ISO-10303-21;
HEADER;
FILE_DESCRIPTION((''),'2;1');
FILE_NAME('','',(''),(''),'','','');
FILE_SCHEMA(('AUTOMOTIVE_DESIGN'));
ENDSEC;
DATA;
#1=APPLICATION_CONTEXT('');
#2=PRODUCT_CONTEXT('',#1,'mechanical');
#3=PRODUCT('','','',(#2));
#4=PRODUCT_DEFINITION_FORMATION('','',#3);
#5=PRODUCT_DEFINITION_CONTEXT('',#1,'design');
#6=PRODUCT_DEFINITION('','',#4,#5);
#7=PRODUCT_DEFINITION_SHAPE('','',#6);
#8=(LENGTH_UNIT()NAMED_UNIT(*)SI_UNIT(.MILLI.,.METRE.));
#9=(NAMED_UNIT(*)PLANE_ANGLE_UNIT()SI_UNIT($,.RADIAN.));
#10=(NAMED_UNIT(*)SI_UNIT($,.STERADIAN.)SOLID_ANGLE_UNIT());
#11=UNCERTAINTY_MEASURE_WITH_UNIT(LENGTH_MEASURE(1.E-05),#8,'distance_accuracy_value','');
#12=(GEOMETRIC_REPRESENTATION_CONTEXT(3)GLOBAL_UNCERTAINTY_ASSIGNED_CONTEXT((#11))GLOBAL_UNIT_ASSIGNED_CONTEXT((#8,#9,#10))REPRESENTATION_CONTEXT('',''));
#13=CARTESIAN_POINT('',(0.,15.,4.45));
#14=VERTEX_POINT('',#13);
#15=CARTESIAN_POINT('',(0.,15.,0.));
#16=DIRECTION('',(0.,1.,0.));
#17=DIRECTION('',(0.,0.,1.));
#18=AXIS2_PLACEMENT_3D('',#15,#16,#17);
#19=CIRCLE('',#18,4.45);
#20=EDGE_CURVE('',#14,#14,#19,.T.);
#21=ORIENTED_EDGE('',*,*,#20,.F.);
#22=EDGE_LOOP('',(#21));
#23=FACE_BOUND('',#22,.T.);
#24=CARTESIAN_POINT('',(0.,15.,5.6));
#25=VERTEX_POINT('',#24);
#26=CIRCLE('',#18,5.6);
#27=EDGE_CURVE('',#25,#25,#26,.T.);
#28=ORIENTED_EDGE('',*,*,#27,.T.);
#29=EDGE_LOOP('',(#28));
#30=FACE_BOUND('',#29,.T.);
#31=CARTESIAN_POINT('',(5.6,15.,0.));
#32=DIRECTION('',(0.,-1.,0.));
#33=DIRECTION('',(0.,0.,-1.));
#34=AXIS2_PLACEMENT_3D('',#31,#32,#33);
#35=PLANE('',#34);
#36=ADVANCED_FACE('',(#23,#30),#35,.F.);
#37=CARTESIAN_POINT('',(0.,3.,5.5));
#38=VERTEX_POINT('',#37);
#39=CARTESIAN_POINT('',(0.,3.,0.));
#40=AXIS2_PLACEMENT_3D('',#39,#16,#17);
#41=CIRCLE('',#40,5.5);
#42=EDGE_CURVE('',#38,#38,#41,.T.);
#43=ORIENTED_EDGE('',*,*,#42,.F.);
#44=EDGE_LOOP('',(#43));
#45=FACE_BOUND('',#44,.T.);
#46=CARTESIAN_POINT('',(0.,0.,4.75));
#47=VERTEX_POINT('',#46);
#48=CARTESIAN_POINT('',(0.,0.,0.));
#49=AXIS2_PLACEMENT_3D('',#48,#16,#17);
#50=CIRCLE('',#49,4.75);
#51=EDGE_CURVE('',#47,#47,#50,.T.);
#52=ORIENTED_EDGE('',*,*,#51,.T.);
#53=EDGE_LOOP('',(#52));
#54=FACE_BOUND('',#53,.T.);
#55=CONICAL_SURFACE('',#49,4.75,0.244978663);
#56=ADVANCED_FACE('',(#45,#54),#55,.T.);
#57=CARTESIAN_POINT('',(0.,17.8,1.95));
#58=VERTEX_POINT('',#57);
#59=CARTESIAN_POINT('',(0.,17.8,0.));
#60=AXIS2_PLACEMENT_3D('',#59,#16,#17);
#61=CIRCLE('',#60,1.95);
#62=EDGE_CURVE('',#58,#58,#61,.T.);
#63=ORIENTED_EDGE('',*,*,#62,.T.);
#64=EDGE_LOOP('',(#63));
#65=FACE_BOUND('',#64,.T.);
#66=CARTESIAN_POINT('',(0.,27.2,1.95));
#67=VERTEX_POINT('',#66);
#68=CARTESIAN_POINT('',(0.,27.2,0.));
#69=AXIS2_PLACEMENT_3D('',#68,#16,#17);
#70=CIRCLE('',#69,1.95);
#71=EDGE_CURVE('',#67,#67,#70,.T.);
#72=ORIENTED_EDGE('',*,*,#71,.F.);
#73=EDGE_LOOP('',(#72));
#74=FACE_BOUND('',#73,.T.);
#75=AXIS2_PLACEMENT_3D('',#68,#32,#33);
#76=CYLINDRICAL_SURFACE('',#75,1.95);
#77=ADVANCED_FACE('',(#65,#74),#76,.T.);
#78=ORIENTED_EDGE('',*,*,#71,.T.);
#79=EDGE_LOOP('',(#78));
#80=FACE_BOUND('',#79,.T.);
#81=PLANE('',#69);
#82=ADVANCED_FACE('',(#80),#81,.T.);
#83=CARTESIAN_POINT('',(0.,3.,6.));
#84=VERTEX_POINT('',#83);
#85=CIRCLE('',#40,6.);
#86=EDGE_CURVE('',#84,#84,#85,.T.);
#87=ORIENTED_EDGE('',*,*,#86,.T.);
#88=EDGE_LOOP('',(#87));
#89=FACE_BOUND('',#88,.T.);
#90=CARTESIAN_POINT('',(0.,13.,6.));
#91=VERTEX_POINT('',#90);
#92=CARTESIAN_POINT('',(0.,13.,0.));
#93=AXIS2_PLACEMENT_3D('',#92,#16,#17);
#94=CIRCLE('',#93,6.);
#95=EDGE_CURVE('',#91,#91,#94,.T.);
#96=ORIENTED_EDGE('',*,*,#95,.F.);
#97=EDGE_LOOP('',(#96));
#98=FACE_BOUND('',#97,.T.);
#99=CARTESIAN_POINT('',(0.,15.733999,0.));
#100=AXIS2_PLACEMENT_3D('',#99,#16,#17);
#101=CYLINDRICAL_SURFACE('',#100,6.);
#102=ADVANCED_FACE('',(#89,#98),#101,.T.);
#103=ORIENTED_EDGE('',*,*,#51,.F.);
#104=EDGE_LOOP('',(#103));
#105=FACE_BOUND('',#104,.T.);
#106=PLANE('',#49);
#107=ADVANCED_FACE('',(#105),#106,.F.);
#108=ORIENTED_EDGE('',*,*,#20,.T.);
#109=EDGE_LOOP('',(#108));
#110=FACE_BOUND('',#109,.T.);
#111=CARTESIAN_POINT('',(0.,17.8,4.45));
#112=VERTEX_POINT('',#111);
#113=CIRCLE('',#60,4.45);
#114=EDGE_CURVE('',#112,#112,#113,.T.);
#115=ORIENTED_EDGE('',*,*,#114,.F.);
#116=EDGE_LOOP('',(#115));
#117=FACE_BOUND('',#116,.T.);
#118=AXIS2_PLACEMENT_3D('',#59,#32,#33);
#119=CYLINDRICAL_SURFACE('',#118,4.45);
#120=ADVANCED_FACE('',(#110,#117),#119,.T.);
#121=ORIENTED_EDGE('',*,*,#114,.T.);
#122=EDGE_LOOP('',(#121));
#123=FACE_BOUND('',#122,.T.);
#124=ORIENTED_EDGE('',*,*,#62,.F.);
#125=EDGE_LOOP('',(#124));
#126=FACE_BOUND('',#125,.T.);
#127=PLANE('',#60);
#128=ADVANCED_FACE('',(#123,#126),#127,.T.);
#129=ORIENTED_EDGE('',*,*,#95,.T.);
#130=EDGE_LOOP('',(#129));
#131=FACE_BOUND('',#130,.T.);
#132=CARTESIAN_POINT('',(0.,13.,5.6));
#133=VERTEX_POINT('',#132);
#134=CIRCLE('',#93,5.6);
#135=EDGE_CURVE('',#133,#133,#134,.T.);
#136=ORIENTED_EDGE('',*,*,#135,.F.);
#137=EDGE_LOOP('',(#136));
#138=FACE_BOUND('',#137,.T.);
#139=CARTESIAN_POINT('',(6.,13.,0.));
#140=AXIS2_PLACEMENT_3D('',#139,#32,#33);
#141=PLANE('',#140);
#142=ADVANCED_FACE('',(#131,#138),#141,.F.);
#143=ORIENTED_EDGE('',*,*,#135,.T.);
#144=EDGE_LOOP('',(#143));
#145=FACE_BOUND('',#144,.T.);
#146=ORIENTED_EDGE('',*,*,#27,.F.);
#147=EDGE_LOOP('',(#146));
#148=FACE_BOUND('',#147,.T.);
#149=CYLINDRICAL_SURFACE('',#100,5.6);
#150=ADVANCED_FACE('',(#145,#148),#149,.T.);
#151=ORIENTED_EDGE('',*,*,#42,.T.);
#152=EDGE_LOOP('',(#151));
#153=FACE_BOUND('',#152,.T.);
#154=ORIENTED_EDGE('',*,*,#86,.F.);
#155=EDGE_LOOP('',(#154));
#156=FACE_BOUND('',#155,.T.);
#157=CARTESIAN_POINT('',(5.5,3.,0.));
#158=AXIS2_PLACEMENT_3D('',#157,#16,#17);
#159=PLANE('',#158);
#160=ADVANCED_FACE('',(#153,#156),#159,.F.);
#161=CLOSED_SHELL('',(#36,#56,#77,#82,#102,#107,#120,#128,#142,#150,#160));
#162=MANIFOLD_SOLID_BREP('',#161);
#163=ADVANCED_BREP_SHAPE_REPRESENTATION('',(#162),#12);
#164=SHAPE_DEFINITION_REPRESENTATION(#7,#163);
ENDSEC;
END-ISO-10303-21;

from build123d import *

# Parameters (mm, degrees)
SKETCH_2_R      = 4.45
EXTRUDE_1_DEPTH = 2.8
SKETCH_3_R      = 1.95
EXTRUDE_2_DEPTH = 9.4


with BuildPart() as part:
    # 草图1 → 旋转1 (revolve)
    with BuildSketch(Plane.XY, mode=Mode.PRIVATE) as revolve_1_sk:
        Polygon((0, 0), (4.75, 0), (5.5, 3), (6, 3), (6, 13), (5.6, 13), (5.6, 15), (0, 15), align=None)
    revolve(revolve_1_sk.sketch.rotate(Axis((0, 15.733998589, 0), (0, -1, 0)), 90), axis=Axis((0, 15.733998589, 0), (0, -1, 0)))

    # 草图2 → 凸台-拉伸1 (add)
    with BuildSketch(Plane(origin=(0, 15, 0), x_dir=(1, 0, 0), z_dir=(0, 1, 0))):
        with Locations(Location((0, 0, 0), (0, 0, 270))):
            Circle(SKETCH_2_R)
    extrude(amount=EXTRUDE_1_DEPTH)

    # 草图3 → 凸台-拉伸2 (add)
    with BuildSketch(Plane(origin=(0, 17.8, 0), x_dir=(1, 0, 0), z_dir=(0, 1, 0))):
        with Locations(Location((0, 0, 0), (0, 0, 270))):
            Circle(SKETCH_3_R)
    extrude(amount=EXTRUDE_2_DEPTH)


solid = part.part
